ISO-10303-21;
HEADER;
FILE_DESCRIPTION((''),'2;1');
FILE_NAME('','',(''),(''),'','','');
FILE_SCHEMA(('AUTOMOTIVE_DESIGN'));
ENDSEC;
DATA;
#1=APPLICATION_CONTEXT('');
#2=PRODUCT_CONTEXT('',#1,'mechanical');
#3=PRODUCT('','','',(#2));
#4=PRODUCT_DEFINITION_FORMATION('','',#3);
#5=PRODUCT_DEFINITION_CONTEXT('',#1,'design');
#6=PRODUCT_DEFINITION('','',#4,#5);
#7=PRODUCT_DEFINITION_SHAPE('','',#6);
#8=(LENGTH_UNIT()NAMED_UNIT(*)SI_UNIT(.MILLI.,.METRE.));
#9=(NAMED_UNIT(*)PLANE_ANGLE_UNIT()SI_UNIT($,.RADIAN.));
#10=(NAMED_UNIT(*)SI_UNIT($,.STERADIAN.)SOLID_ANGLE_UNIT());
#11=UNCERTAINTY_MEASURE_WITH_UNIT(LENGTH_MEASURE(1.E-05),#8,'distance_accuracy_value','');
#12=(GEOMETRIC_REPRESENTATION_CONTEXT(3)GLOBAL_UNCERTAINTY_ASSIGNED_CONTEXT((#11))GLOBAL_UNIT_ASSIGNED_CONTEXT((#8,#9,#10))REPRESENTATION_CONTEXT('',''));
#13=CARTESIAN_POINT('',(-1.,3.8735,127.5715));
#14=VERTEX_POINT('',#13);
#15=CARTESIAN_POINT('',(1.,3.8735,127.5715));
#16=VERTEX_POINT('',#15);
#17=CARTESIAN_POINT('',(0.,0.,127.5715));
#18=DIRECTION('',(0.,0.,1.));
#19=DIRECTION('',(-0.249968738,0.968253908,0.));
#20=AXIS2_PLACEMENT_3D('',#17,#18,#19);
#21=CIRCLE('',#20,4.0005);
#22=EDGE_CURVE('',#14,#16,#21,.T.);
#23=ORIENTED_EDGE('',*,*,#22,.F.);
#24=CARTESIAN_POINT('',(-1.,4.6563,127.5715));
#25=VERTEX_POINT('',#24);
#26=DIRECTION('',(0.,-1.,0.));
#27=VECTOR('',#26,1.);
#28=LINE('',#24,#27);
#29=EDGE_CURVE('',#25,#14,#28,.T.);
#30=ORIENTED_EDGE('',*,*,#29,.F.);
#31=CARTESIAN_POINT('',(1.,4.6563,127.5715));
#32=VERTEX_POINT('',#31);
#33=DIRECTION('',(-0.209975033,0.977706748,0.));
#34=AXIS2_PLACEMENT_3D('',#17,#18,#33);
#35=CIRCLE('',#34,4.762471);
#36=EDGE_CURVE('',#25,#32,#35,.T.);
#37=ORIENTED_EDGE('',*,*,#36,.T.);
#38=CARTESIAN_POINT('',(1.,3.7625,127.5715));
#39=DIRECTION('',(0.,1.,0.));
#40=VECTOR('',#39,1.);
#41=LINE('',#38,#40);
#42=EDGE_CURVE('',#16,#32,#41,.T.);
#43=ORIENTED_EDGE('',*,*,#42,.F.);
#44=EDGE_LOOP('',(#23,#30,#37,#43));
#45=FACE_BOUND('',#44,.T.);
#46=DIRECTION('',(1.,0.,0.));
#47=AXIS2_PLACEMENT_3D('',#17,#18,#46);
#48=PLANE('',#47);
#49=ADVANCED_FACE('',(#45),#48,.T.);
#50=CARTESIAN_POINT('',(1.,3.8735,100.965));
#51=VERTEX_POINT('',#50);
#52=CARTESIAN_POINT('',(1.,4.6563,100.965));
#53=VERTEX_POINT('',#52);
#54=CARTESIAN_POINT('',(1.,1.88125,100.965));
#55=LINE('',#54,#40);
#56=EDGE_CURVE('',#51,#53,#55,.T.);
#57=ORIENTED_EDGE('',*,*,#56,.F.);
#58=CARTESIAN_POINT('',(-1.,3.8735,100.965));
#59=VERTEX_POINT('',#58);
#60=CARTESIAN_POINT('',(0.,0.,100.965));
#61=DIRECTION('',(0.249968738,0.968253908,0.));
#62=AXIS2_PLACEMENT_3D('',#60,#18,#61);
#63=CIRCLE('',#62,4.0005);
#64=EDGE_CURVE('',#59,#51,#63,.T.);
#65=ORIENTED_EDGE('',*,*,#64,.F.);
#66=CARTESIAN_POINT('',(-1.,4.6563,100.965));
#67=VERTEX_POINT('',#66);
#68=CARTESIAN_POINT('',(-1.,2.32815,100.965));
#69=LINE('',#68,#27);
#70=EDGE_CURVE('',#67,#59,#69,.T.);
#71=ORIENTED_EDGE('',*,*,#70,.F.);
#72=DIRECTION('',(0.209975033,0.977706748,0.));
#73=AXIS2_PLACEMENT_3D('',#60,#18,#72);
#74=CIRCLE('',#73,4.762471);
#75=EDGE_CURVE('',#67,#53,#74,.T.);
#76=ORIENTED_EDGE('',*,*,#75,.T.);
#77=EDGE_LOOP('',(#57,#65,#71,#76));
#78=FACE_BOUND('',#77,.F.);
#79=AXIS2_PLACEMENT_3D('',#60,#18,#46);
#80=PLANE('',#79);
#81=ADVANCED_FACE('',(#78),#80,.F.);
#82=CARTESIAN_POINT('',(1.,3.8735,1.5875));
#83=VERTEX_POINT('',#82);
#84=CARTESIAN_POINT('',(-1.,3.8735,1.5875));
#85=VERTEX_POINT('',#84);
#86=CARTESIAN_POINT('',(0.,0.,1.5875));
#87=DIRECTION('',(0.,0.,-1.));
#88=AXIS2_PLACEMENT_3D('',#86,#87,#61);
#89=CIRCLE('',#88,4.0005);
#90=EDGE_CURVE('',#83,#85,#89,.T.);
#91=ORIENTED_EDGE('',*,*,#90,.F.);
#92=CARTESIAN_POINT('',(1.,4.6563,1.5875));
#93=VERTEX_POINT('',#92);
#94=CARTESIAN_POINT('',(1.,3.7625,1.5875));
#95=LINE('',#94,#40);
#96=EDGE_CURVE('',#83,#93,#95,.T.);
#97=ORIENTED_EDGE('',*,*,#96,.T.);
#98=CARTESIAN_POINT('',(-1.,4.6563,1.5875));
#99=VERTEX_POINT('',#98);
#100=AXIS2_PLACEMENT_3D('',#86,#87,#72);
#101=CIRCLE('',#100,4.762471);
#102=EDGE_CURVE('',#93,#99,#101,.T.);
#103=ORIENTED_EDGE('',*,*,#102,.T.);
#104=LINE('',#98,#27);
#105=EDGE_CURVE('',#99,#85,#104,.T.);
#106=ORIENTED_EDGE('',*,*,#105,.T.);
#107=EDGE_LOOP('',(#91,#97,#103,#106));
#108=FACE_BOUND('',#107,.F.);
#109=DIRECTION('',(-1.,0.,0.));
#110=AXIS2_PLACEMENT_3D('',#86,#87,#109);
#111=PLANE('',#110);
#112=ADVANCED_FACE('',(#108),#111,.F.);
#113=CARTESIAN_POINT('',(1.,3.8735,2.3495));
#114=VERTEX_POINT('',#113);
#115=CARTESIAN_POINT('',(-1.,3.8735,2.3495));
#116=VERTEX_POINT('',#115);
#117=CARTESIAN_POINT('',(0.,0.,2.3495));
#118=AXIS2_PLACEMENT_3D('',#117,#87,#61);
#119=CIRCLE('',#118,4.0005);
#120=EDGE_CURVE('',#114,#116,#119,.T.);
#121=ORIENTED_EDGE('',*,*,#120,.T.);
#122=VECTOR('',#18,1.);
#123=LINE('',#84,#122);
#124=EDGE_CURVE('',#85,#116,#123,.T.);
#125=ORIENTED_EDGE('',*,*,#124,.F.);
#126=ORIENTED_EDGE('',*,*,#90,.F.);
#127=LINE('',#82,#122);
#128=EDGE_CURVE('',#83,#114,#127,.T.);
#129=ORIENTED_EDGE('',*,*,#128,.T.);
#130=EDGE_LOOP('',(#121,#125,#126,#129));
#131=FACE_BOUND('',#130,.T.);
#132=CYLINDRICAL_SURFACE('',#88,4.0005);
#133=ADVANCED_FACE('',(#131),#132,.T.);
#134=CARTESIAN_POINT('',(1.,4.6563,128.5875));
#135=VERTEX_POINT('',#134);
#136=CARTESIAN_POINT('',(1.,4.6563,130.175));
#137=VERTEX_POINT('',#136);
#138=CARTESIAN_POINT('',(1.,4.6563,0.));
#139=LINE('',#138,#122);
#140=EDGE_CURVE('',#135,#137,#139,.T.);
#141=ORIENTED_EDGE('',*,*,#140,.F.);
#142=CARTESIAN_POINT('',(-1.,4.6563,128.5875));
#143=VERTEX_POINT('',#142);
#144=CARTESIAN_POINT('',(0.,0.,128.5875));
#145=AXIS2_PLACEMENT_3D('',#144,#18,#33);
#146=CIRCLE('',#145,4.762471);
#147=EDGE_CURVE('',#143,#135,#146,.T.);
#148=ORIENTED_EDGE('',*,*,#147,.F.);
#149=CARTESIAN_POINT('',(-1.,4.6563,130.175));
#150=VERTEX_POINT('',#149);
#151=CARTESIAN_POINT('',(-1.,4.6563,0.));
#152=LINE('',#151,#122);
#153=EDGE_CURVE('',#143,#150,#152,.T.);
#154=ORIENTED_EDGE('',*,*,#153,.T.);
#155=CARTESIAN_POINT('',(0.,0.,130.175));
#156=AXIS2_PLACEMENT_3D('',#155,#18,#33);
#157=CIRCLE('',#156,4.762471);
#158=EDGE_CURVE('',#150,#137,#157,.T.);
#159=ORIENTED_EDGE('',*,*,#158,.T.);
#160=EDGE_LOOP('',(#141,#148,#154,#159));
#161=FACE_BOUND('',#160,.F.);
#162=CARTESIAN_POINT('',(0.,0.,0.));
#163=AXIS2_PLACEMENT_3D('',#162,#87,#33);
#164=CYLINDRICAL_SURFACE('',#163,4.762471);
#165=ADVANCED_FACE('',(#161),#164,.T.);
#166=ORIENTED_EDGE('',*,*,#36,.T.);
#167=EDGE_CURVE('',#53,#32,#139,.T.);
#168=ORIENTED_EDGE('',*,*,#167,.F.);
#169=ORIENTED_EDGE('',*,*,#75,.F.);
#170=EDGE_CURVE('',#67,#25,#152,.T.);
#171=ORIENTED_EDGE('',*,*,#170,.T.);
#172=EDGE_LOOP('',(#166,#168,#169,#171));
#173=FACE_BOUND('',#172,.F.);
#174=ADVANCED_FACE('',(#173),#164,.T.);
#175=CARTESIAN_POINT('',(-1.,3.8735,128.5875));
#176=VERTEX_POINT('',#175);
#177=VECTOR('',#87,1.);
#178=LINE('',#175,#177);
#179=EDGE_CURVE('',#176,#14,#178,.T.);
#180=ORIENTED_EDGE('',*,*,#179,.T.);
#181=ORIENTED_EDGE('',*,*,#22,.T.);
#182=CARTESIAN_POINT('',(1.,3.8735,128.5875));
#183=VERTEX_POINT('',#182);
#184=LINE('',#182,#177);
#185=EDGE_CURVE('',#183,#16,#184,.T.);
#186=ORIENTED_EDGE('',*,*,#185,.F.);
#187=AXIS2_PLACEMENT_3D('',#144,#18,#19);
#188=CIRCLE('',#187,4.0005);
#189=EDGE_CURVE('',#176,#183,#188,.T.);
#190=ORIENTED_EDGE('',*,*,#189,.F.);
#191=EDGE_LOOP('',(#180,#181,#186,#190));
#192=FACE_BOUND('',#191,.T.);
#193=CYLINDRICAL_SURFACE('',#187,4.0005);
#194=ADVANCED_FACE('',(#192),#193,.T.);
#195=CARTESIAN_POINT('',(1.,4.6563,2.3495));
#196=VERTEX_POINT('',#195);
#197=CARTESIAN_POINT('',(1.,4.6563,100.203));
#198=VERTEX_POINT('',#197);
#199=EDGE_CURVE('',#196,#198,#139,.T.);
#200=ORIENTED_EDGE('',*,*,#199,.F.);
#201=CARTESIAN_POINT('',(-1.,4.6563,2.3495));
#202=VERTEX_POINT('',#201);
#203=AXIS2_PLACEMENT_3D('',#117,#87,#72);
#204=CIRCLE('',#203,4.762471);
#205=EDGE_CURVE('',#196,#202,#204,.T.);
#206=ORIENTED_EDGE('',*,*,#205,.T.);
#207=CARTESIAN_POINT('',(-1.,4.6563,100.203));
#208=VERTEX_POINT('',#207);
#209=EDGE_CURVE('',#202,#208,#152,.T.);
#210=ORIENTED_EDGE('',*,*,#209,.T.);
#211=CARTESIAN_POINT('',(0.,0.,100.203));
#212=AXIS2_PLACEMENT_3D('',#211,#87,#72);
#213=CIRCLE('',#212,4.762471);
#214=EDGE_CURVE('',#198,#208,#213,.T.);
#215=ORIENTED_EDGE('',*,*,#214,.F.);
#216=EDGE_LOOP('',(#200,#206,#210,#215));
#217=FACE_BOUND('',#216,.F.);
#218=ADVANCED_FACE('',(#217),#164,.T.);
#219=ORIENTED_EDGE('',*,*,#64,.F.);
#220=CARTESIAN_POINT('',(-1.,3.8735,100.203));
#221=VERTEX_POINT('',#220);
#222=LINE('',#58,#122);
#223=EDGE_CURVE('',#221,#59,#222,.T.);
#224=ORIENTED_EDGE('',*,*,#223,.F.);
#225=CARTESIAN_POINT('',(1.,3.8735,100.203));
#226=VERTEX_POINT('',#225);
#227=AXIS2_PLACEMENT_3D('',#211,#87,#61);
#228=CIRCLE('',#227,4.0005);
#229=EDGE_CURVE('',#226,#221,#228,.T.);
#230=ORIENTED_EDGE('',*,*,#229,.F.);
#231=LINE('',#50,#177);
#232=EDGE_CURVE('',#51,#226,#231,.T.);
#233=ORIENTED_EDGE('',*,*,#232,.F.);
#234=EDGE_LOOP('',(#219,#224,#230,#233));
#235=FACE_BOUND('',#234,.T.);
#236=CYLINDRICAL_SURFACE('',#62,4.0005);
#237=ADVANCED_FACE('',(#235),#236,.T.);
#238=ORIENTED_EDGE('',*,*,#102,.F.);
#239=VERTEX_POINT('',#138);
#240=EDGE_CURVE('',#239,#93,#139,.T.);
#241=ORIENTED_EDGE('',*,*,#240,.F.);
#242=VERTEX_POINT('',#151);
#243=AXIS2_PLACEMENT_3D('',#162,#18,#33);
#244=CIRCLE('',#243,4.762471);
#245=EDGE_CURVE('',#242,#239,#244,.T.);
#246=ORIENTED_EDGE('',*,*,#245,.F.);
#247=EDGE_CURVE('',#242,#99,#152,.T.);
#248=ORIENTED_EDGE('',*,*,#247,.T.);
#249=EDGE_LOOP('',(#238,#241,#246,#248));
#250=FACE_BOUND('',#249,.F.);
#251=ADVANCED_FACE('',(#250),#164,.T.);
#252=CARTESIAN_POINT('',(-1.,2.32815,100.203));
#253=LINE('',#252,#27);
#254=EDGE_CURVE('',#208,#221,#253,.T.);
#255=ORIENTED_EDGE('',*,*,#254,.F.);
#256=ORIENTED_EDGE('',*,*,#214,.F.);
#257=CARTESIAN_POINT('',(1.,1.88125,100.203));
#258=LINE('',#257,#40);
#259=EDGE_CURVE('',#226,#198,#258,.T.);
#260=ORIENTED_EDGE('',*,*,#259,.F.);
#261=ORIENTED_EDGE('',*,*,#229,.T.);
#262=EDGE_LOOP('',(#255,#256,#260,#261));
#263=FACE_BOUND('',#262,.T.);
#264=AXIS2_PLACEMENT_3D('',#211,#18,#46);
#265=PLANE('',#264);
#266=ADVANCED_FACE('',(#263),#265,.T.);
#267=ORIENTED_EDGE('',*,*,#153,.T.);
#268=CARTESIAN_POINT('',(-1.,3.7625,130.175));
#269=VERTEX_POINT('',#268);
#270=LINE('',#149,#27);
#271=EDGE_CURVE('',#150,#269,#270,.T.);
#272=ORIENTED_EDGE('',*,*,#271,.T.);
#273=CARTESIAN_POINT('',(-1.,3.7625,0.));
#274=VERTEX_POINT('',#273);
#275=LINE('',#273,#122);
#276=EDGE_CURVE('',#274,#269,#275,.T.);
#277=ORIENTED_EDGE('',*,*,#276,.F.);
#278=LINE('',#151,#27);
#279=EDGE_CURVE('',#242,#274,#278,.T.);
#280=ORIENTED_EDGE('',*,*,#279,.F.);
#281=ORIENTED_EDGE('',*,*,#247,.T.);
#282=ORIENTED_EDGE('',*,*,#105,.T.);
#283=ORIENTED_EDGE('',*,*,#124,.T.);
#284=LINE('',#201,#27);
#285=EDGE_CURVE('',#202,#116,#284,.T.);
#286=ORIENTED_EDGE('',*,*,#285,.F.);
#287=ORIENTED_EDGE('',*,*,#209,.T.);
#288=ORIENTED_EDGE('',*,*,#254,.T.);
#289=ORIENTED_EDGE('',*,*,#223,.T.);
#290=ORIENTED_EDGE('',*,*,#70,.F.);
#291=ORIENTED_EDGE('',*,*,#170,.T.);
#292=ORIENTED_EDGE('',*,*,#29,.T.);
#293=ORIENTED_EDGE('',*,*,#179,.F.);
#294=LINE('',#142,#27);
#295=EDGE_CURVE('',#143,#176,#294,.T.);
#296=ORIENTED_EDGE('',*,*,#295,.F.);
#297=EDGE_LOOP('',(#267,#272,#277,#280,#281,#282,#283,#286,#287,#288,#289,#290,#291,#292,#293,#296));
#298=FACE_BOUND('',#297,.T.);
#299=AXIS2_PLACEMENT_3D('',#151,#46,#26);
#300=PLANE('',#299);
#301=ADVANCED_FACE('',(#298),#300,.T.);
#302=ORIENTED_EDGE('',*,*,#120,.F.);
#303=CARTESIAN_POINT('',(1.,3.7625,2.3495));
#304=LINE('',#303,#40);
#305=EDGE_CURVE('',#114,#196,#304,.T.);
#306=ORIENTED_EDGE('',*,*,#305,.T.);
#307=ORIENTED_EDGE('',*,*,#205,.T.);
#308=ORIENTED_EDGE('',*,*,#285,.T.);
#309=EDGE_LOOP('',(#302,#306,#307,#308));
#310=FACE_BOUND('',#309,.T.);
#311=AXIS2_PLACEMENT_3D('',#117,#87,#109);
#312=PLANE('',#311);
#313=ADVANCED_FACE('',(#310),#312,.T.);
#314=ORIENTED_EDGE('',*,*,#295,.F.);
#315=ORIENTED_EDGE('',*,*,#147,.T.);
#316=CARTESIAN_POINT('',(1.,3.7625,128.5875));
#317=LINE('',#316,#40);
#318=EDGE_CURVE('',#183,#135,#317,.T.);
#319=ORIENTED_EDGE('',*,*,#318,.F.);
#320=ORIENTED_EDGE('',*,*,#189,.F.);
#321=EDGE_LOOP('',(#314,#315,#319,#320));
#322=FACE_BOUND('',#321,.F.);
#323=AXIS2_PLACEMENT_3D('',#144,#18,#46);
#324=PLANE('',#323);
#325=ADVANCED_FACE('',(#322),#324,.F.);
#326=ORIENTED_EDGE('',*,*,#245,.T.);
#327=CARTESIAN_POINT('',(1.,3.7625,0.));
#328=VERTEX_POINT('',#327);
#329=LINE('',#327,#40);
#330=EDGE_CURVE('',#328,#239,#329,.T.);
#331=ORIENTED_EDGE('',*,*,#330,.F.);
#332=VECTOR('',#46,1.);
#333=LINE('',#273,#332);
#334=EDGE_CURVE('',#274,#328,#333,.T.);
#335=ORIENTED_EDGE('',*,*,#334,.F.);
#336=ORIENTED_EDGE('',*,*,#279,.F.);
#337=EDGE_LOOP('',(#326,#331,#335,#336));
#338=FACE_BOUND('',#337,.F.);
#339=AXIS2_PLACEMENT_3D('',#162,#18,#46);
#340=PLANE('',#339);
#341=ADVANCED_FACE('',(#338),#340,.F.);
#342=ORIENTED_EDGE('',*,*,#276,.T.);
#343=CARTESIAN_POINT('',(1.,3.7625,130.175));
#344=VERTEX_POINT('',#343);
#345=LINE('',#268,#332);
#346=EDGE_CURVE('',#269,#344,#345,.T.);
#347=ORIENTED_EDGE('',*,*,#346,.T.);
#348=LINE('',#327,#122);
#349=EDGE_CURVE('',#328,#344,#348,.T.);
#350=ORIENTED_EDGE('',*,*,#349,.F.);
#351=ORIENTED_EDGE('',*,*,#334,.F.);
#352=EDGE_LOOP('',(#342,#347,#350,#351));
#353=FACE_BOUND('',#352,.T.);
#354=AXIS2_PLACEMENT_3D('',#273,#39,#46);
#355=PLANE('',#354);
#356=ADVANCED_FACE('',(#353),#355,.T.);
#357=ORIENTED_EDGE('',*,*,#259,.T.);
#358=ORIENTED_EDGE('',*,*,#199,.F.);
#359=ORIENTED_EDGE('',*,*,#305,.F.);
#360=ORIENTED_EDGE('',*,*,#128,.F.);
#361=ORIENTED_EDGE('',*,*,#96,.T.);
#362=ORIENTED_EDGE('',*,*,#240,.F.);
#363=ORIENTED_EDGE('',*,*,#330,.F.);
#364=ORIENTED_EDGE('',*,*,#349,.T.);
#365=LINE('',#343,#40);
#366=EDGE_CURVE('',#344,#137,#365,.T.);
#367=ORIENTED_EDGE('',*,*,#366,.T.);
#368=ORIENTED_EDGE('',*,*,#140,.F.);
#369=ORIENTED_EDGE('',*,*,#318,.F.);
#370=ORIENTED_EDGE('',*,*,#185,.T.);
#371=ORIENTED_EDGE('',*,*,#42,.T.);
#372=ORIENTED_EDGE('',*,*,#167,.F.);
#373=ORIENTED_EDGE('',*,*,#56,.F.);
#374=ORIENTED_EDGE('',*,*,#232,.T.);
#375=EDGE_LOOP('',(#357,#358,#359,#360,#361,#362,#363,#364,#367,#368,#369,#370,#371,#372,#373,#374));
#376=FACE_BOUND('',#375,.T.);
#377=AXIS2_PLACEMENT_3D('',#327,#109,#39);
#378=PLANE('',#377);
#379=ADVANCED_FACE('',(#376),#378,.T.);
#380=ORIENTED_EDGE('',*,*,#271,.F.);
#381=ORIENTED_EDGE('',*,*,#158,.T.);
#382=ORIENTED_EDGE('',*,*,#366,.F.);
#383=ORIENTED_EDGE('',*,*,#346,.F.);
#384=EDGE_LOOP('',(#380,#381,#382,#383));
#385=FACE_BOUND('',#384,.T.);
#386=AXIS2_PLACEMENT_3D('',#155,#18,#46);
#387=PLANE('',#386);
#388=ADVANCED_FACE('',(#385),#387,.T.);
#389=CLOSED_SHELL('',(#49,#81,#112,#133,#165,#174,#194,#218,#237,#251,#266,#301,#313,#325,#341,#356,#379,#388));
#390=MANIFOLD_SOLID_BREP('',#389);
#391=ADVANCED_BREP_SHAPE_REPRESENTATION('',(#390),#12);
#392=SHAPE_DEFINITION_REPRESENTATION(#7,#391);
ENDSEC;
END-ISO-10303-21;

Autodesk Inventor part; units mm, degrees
sketch "Sketch1" plane through (0, 0, 0) normal (0, 0, 1) x (1, 0, 0)
  arc A0 (-1, 4.6563) -> (1, 4.6563) centre (0, 0) ccw
  line L0 (-1, 3.7625) -> (1, 3.7625)
  line L1 (1, 3.7625) -> (1, 4.6563)
  line L2 (1, 5.7625) -> (-1, 5.7625) construction
  line L3 (-1, 5.7625) -> (-1, 4.6563) construction
  arc A1 (1, 4.6563) -> (-1, 4.6563) centre (0, 0) ccw construction
  line L4 (-1, 4.6563) -> (-1, 3.7625)
  line L5 (1, 4.6563) -> (1, 5.7625) construction
  dimension "d0" = 9.525
  dimension "d3" = 2
  dimension "d4" = 2
  dimension "d5" = 1
  dimension "d6" = 3.7625
extrude "Extrusion1" add sketch "Sketch1" along normal blind 130.175
ref_plane "Work Plane1" through (0, 0, 1.5875) normal (0, 0, -1) x (-1, 0, 0)
sketch "Sketch2" plane through (0, 0, 1.5875) normal (0, 0, -1) x (-1, 0, 0)
  line L0 (-1, 3.7625) -> (-1, 4.6563) projected
  line L1 (1, 3.7625) -> (-1, 3.7625) projected
  line L2 (1, 4.6563) -> (1, 3.7625) projected
  arc A0 (-1, 4.6563) -> (1, 4.6563) centre (0, 0) ccw projected
  arc A1 (-1, 3.8735) -> (1, 3.8735) centre (0, 0) ccw
  arc A2 (1, 3.8735) -> (-1, 3.8735) centre (0, 0) ccw construction
  dimension "d9" = 0.762
extrude "Extrusion2" cut sketch "Sketch2" against normal blind 0.762 contours A1 L2 A0 L0
ref_plane "Work Plane2" through (0, 0, 100.965) normal (0, 0, 1) x (1, 0, 0)
sketch "Sketch3" plane through (0, 0, 100.965) normal (0, 0, 1) x (1, 0, 0)
  arc A0 (1, 3.8735) -> (-1, 3.8735) centre (0, 0) ccw projected
  line L0 (1, 3.7625) -> (1, 4.6563) projected
  arc A1 (1, 4.6563) -> (-1, 4.6563) centre (0, 0) ccw projected
  line L1 (-1, 4.6563) -> (-1, 3.7625) projected
  line L2 (-1, 3.7625) -> (1, 3.7625) projected
  arc A2 (-1, 3.8735) -> (1, 3.8735) centre (0, 0) ccw projected
  arc A3 (-1, 4.6563) -> (1, 4.6563) centre (0, 0) ccw projected
extrude "Extrusion3" cut sketch "Sketch3" against normal blind 0.762 contours A0 L1 A1 L0 | L0 A3 L1 A2
ref_plane "Work Plane3" through (0, 0, 128.5875) normal (0, 0, 1) x (1, 0, 0)
sketch "Sketch4" plane through (0, 0, 128.5875) normal (0, 0, 1) x (1, 0, 0)
  arc A0 (-1, 3.8735) -> (1, 3.8735) centre (0, 0) ccw projected
  line L0 (-1, 3.7625) -> (1, 3.7625) projected
  line L1 (-1, 4.6563) -> (-1, 3.7625) projected
  line L2 (1, 3.7625) -> (1, 4.6563) projected
  arc A1 (-1, 4.6563) -> (1, 4.6563) centre (0, 0) ccw projected
extrude "Extrusion4" cut sketch "Sketch4" against normal blind 1.016 contours A0 L2 A1 L1
equation "\"d4\" = d3"
equation "\"d5\" = 0.5 * d3"
equation "\"d6\" = 0.5 * d0 - 0.5 * d4"
properties part number "vertical drive shaft 4"
